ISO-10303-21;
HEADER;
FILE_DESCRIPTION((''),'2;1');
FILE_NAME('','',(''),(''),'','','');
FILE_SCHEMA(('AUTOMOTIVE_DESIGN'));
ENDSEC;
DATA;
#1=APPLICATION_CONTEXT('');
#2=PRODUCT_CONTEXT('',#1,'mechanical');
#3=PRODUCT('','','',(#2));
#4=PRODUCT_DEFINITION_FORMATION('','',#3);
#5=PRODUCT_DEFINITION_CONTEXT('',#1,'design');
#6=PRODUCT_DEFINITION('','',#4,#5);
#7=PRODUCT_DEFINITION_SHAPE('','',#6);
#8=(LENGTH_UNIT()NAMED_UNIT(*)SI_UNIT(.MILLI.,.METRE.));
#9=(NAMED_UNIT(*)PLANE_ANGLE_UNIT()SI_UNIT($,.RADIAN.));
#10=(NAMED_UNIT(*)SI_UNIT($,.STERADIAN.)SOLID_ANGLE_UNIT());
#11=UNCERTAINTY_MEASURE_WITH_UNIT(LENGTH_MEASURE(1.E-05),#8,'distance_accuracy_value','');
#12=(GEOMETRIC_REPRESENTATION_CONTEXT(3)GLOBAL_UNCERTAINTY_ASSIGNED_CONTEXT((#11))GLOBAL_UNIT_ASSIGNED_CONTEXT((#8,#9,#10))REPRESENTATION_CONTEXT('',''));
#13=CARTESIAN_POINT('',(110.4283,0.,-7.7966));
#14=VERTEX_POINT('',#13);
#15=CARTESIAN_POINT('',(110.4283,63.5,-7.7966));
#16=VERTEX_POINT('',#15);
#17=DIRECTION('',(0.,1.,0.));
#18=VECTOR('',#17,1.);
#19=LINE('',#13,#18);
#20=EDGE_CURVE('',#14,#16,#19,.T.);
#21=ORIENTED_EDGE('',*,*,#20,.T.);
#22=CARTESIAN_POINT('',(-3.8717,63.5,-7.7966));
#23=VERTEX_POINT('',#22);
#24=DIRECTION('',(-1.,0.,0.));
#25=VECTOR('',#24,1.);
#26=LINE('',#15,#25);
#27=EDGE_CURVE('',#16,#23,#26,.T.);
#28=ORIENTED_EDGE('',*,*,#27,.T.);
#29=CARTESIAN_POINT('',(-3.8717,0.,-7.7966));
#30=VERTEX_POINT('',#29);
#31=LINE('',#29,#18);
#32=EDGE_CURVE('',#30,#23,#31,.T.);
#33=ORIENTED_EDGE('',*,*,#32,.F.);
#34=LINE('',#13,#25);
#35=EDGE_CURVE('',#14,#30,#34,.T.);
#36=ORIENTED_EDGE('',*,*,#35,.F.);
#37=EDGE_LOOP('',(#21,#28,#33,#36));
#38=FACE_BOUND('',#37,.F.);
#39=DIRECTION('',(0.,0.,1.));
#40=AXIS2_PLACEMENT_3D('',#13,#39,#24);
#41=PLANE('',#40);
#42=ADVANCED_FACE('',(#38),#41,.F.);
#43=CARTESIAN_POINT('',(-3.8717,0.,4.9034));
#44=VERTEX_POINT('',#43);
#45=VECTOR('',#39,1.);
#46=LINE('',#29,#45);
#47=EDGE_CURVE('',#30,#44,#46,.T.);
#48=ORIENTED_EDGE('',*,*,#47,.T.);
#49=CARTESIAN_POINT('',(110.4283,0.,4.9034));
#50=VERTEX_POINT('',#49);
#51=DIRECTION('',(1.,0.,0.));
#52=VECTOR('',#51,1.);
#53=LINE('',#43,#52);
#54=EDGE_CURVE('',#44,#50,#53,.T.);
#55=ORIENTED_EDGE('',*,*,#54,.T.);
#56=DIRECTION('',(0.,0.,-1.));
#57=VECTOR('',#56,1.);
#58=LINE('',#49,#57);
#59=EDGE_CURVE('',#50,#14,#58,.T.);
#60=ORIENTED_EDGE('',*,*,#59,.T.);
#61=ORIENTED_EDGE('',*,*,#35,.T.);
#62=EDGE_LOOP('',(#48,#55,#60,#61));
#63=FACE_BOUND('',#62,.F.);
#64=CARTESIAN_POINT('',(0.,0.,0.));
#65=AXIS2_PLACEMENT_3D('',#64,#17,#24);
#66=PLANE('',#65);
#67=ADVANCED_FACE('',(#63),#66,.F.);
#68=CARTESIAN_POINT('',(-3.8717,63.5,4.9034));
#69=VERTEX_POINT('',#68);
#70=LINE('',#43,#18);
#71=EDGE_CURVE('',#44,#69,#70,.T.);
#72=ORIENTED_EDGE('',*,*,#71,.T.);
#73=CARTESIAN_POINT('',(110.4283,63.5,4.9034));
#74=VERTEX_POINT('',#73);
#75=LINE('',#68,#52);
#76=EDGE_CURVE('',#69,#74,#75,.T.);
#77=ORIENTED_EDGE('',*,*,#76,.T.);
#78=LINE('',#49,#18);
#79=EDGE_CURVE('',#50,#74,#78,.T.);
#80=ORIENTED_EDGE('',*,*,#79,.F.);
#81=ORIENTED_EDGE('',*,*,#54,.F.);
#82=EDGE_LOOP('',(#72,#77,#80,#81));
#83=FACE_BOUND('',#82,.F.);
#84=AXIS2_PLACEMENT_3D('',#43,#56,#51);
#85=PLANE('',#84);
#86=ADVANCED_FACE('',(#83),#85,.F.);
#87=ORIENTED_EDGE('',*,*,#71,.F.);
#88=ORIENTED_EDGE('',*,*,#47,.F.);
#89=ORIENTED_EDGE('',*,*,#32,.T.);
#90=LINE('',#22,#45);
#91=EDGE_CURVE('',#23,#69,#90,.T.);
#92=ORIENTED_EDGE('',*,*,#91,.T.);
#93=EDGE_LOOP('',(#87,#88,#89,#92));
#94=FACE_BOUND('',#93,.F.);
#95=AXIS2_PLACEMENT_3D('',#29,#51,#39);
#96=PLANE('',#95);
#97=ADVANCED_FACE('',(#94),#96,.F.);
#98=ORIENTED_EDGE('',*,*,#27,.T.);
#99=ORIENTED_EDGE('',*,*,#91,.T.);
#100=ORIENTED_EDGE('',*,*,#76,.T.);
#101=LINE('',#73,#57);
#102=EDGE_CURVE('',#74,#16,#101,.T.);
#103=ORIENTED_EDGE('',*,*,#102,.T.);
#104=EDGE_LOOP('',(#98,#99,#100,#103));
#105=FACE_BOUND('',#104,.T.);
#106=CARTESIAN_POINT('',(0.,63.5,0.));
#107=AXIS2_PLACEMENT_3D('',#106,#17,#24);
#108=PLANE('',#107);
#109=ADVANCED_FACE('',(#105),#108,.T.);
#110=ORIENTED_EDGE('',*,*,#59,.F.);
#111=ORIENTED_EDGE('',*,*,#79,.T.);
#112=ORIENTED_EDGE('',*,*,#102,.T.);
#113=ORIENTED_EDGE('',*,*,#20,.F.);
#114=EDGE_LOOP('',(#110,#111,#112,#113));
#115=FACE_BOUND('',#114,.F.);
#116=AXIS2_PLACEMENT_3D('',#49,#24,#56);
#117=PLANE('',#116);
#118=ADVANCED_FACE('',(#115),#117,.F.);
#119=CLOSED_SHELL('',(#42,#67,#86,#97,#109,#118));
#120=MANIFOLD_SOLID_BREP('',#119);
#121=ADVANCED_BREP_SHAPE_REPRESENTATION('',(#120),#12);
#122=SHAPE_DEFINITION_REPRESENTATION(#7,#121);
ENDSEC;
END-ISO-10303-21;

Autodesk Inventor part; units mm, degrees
ref_plane "YZ Plane" through (0, 0, 0) normal (1, 0, 0) x (0, 1, 0)
ref_plane "XZ Plane" through (0, 0, 0) normal (0, 1, 0) x (-1, 0, 0)
ref_plane "XY Plane" through (0, 0, 0) normal (0, 0, 1) x (1, 0, 0)
sketch "Sketch1" plane through (0, 0, 0) normal (0, 1, 0) x (-1, 0, 0)
  line L0 (3.8717, 4.9034) -> (-110.4283, 4.9034)
  line L1 (-110.4283, 4.9034) -> (-110.4283, -7.7966)
  line L2 (-110.4283, -7.7966) -> (3.8717, -7.7966)
  line L3 (3.8717, -7.7966) -> (3.8717, 4.9034)
  point P0 (0, 0)
  dimension "d0" = 12.7
  dimension "d1" = 114.3
extrude "Extrusion1" add sketch "Sketch1" along normal blind 63.5
properties part number "Aduino"
